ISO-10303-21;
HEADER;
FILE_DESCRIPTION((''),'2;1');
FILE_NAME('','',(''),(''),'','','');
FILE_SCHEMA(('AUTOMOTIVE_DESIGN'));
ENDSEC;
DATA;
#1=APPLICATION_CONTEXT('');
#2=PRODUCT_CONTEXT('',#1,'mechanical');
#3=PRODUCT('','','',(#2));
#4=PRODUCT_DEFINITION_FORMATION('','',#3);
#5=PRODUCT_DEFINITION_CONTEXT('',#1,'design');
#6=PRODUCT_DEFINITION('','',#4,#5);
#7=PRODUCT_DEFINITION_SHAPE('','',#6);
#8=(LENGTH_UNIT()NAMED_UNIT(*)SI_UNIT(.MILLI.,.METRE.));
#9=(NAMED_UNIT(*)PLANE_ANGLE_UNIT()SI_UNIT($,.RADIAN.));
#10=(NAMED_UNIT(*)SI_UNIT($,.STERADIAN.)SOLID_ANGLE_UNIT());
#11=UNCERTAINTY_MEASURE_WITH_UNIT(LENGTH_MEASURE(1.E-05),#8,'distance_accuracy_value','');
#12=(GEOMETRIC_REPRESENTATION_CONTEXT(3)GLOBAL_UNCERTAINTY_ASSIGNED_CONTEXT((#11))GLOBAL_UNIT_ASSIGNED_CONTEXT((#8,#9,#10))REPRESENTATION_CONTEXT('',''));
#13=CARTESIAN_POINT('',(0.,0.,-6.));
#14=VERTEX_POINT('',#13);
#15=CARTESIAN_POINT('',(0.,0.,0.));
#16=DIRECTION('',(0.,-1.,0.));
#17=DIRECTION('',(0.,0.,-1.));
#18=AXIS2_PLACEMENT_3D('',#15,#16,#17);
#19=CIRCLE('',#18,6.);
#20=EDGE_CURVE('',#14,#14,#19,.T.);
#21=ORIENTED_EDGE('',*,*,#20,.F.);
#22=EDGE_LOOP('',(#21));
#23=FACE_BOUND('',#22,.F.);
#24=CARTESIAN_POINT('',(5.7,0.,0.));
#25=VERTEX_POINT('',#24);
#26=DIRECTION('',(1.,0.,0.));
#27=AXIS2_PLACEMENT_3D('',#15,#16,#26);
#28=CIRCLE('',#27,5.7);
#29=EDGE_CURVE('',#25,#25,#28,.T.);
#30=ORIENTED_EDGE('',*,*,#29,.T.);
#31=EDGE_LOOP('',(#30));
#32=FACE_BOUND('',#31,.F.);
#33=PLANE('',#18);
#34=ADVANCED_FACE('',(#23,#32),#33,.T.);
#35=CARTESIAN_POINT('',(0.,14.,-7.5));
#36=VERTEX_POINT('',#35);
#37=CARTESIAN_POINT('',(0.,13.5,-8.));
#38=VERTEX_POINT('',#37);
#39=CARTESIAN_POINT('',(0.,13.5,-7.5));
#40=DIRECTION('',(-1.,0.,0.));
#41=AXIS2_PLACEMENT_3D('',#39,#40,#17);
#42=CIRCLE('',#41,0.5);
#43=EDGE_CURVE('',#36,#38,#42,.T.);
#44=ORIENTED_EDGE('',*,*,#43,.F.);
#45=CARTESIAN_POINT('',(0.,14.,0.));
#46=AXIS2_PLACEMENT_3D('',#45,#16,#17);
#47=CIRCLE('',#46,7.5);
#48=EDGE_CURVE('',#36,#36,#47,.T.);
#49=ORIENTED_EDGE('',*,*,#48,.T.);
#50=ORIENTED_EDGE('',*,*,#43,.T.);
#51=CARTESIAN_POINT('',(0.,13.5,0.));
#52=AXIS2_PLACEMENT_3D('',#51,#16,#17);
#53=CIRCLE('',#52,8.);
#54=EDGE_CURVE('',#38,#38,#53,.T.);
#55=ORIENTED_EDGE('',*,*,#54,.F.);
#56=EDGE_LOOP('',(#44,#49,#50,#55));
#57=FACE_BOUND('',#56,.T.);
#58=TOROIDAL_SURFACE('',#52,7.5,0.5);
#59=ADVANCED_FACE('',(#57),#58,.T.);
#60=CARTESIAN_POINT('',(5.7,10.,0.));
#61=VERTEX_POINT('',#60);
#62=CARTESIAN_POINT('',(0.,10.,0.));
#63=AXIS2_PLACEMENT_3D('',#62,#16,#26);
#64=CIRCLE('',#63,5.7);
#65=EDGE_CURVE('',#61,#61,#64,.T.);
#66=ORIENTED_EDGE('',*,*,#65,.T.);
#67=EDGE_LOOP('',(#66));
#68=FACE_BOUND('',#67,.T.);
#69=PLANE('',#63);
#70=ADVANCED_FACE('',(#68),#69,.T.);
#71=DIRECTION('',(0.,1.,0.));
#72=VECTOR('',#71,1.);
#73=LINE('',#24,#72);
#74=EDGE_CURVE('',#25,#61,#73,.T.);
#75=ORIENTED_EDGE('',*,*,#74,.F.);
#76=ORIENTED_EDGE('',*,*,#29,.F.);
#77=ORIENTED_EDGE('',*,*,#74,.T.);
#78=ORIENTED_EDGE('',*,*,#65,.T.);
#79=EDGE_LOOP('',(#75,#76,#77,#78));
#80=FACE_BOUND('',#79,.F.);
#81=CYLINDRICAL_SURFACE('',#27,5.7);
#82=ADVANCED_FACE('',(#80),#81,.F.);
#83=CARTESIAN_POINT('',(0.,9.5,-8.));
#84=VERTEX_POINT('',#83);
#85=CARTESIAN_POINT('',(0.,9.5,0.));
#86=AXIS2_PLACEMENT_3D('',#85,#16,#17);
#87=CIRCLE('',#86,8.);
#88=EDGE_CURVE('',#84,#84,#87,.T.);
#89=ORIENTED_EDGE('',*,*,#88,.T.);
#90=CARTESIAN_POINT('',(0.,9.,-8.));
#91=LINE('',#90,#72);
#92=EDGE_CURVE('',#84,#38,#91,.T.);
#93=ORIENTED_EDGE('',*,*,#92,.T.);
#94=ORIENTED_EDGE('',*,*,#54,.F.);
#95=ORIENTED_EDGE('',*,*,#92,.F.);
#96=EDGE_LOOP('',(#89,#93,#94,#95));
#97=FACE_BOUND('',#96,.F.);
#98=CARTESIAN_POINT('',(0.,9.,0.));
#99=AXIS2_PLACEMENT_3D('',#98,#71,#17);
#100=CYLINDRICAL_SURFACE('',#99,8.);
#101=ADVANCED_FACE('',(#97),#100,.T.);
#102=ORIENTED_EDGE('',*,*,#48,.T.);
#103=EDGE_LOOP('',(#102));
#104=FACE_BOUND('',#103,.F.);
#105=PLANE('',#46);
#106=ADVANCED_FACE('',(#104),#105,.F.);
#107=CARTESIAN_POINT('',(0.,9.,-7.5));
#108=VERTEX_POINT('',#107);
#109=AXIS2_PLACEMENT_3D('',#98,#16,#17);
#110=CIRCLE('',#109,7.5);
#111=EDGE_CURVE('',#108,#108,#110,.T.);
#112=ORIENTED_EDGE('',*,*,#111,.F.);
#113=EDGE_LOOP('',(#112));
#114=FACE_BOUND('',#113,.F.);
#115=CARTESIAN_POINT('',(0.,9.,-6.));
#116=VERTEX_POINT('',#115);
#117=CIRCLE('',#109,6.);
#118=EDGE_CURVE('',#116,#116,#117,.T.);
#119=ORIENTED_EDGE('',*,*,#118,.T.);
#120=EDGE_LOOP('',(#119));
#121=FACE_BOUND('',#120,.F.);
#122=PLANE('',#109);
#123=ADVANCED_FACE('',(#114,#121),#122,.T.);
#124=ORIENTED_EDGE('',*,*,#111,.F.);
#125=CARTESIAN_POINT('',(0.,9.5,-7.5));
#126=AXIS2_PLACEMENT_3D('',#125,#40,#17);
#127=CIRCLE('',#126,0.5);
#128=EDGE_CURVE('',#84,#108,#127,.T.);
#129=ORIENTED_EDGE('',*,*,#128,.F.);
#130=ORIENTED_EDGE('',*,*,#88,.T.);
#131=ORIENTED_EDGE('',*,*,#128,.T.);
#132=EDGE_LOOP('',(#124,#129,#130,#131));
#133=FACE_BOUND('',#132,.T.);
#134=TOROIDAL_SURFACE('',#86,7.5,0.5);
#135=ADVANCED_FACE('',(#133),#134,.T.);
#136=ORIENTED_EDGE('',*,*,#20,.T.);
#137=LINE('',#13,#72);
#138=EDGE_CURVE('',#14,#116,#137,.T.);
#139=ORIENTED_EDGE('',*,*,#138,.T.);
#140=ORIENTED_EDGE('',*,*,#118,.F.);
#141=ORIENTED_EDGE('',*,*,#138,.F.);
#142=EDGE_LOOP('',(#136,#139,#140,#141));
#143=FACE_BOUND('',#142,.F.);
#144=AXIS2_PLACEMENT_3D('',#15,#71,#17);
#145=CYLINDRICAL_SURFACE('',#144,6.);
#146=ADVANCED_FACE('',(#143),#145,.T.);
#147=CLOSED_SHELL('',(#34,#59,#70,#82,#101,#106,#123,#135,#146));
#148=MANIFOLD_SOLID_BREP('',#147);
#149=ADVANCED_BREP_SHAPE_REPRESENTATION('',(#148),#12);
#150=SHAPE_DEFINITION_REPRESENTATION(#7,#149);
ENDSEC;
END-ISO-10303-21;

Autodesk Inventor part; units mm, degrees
ref_plane "YZ Plane" through (0, 0, 0) normal (1, 0, 0) x (0, 1, 0)
ref_plane "XZ Plane" through (0, 0, 0) normal (0, 1, 0) x (-1, 0, 0)
ref_plane "XY Plane" through (0, 0, 0) normal (0, 0, 1) x (1, 0, 0)
sketch "Szkic2" plane through (0, 0, 0) normal (1, 0, 0) x (0, 1, 0)
  line L0 (0, 0) -> (0, -6)
  line L1 (0, -6) -> (9, -6)
  line L2 (9, -6) -> (9, -8)
  line L3 (9, -8) -> (14, -8)
  line L4 (14, -8) -> (14, 0)
  line L5 (14, 0) -> (0, 0)
  dimension "d6" = 6
  dimension "d7" = 9
  dimension "d8" = 2
  dimension "d9" = 5
revolve "Obrót1" add sketch "Szkic2" angle 360 about axis through (0, 14, 0) along (0, -1, 0)
sketch "Szkic3" plane through (0, 0, 0) normal (0, -1, 0) x (1, 0, 0)
  circle A0 centre (0, 0) radius 6 projected
  circle A1 centre (0, 0) radius 5.7
  dimension "d11" = 11.4
extrude "Wyciągnięcie proste1" cut sketch "Szkic3" against normal blind 10 contours A1
fillet "Zaokrąglenie1" radius 0.5 2 edges at (0, 9, 8) (0, 14, 8)
properties material "Kauczuk"
